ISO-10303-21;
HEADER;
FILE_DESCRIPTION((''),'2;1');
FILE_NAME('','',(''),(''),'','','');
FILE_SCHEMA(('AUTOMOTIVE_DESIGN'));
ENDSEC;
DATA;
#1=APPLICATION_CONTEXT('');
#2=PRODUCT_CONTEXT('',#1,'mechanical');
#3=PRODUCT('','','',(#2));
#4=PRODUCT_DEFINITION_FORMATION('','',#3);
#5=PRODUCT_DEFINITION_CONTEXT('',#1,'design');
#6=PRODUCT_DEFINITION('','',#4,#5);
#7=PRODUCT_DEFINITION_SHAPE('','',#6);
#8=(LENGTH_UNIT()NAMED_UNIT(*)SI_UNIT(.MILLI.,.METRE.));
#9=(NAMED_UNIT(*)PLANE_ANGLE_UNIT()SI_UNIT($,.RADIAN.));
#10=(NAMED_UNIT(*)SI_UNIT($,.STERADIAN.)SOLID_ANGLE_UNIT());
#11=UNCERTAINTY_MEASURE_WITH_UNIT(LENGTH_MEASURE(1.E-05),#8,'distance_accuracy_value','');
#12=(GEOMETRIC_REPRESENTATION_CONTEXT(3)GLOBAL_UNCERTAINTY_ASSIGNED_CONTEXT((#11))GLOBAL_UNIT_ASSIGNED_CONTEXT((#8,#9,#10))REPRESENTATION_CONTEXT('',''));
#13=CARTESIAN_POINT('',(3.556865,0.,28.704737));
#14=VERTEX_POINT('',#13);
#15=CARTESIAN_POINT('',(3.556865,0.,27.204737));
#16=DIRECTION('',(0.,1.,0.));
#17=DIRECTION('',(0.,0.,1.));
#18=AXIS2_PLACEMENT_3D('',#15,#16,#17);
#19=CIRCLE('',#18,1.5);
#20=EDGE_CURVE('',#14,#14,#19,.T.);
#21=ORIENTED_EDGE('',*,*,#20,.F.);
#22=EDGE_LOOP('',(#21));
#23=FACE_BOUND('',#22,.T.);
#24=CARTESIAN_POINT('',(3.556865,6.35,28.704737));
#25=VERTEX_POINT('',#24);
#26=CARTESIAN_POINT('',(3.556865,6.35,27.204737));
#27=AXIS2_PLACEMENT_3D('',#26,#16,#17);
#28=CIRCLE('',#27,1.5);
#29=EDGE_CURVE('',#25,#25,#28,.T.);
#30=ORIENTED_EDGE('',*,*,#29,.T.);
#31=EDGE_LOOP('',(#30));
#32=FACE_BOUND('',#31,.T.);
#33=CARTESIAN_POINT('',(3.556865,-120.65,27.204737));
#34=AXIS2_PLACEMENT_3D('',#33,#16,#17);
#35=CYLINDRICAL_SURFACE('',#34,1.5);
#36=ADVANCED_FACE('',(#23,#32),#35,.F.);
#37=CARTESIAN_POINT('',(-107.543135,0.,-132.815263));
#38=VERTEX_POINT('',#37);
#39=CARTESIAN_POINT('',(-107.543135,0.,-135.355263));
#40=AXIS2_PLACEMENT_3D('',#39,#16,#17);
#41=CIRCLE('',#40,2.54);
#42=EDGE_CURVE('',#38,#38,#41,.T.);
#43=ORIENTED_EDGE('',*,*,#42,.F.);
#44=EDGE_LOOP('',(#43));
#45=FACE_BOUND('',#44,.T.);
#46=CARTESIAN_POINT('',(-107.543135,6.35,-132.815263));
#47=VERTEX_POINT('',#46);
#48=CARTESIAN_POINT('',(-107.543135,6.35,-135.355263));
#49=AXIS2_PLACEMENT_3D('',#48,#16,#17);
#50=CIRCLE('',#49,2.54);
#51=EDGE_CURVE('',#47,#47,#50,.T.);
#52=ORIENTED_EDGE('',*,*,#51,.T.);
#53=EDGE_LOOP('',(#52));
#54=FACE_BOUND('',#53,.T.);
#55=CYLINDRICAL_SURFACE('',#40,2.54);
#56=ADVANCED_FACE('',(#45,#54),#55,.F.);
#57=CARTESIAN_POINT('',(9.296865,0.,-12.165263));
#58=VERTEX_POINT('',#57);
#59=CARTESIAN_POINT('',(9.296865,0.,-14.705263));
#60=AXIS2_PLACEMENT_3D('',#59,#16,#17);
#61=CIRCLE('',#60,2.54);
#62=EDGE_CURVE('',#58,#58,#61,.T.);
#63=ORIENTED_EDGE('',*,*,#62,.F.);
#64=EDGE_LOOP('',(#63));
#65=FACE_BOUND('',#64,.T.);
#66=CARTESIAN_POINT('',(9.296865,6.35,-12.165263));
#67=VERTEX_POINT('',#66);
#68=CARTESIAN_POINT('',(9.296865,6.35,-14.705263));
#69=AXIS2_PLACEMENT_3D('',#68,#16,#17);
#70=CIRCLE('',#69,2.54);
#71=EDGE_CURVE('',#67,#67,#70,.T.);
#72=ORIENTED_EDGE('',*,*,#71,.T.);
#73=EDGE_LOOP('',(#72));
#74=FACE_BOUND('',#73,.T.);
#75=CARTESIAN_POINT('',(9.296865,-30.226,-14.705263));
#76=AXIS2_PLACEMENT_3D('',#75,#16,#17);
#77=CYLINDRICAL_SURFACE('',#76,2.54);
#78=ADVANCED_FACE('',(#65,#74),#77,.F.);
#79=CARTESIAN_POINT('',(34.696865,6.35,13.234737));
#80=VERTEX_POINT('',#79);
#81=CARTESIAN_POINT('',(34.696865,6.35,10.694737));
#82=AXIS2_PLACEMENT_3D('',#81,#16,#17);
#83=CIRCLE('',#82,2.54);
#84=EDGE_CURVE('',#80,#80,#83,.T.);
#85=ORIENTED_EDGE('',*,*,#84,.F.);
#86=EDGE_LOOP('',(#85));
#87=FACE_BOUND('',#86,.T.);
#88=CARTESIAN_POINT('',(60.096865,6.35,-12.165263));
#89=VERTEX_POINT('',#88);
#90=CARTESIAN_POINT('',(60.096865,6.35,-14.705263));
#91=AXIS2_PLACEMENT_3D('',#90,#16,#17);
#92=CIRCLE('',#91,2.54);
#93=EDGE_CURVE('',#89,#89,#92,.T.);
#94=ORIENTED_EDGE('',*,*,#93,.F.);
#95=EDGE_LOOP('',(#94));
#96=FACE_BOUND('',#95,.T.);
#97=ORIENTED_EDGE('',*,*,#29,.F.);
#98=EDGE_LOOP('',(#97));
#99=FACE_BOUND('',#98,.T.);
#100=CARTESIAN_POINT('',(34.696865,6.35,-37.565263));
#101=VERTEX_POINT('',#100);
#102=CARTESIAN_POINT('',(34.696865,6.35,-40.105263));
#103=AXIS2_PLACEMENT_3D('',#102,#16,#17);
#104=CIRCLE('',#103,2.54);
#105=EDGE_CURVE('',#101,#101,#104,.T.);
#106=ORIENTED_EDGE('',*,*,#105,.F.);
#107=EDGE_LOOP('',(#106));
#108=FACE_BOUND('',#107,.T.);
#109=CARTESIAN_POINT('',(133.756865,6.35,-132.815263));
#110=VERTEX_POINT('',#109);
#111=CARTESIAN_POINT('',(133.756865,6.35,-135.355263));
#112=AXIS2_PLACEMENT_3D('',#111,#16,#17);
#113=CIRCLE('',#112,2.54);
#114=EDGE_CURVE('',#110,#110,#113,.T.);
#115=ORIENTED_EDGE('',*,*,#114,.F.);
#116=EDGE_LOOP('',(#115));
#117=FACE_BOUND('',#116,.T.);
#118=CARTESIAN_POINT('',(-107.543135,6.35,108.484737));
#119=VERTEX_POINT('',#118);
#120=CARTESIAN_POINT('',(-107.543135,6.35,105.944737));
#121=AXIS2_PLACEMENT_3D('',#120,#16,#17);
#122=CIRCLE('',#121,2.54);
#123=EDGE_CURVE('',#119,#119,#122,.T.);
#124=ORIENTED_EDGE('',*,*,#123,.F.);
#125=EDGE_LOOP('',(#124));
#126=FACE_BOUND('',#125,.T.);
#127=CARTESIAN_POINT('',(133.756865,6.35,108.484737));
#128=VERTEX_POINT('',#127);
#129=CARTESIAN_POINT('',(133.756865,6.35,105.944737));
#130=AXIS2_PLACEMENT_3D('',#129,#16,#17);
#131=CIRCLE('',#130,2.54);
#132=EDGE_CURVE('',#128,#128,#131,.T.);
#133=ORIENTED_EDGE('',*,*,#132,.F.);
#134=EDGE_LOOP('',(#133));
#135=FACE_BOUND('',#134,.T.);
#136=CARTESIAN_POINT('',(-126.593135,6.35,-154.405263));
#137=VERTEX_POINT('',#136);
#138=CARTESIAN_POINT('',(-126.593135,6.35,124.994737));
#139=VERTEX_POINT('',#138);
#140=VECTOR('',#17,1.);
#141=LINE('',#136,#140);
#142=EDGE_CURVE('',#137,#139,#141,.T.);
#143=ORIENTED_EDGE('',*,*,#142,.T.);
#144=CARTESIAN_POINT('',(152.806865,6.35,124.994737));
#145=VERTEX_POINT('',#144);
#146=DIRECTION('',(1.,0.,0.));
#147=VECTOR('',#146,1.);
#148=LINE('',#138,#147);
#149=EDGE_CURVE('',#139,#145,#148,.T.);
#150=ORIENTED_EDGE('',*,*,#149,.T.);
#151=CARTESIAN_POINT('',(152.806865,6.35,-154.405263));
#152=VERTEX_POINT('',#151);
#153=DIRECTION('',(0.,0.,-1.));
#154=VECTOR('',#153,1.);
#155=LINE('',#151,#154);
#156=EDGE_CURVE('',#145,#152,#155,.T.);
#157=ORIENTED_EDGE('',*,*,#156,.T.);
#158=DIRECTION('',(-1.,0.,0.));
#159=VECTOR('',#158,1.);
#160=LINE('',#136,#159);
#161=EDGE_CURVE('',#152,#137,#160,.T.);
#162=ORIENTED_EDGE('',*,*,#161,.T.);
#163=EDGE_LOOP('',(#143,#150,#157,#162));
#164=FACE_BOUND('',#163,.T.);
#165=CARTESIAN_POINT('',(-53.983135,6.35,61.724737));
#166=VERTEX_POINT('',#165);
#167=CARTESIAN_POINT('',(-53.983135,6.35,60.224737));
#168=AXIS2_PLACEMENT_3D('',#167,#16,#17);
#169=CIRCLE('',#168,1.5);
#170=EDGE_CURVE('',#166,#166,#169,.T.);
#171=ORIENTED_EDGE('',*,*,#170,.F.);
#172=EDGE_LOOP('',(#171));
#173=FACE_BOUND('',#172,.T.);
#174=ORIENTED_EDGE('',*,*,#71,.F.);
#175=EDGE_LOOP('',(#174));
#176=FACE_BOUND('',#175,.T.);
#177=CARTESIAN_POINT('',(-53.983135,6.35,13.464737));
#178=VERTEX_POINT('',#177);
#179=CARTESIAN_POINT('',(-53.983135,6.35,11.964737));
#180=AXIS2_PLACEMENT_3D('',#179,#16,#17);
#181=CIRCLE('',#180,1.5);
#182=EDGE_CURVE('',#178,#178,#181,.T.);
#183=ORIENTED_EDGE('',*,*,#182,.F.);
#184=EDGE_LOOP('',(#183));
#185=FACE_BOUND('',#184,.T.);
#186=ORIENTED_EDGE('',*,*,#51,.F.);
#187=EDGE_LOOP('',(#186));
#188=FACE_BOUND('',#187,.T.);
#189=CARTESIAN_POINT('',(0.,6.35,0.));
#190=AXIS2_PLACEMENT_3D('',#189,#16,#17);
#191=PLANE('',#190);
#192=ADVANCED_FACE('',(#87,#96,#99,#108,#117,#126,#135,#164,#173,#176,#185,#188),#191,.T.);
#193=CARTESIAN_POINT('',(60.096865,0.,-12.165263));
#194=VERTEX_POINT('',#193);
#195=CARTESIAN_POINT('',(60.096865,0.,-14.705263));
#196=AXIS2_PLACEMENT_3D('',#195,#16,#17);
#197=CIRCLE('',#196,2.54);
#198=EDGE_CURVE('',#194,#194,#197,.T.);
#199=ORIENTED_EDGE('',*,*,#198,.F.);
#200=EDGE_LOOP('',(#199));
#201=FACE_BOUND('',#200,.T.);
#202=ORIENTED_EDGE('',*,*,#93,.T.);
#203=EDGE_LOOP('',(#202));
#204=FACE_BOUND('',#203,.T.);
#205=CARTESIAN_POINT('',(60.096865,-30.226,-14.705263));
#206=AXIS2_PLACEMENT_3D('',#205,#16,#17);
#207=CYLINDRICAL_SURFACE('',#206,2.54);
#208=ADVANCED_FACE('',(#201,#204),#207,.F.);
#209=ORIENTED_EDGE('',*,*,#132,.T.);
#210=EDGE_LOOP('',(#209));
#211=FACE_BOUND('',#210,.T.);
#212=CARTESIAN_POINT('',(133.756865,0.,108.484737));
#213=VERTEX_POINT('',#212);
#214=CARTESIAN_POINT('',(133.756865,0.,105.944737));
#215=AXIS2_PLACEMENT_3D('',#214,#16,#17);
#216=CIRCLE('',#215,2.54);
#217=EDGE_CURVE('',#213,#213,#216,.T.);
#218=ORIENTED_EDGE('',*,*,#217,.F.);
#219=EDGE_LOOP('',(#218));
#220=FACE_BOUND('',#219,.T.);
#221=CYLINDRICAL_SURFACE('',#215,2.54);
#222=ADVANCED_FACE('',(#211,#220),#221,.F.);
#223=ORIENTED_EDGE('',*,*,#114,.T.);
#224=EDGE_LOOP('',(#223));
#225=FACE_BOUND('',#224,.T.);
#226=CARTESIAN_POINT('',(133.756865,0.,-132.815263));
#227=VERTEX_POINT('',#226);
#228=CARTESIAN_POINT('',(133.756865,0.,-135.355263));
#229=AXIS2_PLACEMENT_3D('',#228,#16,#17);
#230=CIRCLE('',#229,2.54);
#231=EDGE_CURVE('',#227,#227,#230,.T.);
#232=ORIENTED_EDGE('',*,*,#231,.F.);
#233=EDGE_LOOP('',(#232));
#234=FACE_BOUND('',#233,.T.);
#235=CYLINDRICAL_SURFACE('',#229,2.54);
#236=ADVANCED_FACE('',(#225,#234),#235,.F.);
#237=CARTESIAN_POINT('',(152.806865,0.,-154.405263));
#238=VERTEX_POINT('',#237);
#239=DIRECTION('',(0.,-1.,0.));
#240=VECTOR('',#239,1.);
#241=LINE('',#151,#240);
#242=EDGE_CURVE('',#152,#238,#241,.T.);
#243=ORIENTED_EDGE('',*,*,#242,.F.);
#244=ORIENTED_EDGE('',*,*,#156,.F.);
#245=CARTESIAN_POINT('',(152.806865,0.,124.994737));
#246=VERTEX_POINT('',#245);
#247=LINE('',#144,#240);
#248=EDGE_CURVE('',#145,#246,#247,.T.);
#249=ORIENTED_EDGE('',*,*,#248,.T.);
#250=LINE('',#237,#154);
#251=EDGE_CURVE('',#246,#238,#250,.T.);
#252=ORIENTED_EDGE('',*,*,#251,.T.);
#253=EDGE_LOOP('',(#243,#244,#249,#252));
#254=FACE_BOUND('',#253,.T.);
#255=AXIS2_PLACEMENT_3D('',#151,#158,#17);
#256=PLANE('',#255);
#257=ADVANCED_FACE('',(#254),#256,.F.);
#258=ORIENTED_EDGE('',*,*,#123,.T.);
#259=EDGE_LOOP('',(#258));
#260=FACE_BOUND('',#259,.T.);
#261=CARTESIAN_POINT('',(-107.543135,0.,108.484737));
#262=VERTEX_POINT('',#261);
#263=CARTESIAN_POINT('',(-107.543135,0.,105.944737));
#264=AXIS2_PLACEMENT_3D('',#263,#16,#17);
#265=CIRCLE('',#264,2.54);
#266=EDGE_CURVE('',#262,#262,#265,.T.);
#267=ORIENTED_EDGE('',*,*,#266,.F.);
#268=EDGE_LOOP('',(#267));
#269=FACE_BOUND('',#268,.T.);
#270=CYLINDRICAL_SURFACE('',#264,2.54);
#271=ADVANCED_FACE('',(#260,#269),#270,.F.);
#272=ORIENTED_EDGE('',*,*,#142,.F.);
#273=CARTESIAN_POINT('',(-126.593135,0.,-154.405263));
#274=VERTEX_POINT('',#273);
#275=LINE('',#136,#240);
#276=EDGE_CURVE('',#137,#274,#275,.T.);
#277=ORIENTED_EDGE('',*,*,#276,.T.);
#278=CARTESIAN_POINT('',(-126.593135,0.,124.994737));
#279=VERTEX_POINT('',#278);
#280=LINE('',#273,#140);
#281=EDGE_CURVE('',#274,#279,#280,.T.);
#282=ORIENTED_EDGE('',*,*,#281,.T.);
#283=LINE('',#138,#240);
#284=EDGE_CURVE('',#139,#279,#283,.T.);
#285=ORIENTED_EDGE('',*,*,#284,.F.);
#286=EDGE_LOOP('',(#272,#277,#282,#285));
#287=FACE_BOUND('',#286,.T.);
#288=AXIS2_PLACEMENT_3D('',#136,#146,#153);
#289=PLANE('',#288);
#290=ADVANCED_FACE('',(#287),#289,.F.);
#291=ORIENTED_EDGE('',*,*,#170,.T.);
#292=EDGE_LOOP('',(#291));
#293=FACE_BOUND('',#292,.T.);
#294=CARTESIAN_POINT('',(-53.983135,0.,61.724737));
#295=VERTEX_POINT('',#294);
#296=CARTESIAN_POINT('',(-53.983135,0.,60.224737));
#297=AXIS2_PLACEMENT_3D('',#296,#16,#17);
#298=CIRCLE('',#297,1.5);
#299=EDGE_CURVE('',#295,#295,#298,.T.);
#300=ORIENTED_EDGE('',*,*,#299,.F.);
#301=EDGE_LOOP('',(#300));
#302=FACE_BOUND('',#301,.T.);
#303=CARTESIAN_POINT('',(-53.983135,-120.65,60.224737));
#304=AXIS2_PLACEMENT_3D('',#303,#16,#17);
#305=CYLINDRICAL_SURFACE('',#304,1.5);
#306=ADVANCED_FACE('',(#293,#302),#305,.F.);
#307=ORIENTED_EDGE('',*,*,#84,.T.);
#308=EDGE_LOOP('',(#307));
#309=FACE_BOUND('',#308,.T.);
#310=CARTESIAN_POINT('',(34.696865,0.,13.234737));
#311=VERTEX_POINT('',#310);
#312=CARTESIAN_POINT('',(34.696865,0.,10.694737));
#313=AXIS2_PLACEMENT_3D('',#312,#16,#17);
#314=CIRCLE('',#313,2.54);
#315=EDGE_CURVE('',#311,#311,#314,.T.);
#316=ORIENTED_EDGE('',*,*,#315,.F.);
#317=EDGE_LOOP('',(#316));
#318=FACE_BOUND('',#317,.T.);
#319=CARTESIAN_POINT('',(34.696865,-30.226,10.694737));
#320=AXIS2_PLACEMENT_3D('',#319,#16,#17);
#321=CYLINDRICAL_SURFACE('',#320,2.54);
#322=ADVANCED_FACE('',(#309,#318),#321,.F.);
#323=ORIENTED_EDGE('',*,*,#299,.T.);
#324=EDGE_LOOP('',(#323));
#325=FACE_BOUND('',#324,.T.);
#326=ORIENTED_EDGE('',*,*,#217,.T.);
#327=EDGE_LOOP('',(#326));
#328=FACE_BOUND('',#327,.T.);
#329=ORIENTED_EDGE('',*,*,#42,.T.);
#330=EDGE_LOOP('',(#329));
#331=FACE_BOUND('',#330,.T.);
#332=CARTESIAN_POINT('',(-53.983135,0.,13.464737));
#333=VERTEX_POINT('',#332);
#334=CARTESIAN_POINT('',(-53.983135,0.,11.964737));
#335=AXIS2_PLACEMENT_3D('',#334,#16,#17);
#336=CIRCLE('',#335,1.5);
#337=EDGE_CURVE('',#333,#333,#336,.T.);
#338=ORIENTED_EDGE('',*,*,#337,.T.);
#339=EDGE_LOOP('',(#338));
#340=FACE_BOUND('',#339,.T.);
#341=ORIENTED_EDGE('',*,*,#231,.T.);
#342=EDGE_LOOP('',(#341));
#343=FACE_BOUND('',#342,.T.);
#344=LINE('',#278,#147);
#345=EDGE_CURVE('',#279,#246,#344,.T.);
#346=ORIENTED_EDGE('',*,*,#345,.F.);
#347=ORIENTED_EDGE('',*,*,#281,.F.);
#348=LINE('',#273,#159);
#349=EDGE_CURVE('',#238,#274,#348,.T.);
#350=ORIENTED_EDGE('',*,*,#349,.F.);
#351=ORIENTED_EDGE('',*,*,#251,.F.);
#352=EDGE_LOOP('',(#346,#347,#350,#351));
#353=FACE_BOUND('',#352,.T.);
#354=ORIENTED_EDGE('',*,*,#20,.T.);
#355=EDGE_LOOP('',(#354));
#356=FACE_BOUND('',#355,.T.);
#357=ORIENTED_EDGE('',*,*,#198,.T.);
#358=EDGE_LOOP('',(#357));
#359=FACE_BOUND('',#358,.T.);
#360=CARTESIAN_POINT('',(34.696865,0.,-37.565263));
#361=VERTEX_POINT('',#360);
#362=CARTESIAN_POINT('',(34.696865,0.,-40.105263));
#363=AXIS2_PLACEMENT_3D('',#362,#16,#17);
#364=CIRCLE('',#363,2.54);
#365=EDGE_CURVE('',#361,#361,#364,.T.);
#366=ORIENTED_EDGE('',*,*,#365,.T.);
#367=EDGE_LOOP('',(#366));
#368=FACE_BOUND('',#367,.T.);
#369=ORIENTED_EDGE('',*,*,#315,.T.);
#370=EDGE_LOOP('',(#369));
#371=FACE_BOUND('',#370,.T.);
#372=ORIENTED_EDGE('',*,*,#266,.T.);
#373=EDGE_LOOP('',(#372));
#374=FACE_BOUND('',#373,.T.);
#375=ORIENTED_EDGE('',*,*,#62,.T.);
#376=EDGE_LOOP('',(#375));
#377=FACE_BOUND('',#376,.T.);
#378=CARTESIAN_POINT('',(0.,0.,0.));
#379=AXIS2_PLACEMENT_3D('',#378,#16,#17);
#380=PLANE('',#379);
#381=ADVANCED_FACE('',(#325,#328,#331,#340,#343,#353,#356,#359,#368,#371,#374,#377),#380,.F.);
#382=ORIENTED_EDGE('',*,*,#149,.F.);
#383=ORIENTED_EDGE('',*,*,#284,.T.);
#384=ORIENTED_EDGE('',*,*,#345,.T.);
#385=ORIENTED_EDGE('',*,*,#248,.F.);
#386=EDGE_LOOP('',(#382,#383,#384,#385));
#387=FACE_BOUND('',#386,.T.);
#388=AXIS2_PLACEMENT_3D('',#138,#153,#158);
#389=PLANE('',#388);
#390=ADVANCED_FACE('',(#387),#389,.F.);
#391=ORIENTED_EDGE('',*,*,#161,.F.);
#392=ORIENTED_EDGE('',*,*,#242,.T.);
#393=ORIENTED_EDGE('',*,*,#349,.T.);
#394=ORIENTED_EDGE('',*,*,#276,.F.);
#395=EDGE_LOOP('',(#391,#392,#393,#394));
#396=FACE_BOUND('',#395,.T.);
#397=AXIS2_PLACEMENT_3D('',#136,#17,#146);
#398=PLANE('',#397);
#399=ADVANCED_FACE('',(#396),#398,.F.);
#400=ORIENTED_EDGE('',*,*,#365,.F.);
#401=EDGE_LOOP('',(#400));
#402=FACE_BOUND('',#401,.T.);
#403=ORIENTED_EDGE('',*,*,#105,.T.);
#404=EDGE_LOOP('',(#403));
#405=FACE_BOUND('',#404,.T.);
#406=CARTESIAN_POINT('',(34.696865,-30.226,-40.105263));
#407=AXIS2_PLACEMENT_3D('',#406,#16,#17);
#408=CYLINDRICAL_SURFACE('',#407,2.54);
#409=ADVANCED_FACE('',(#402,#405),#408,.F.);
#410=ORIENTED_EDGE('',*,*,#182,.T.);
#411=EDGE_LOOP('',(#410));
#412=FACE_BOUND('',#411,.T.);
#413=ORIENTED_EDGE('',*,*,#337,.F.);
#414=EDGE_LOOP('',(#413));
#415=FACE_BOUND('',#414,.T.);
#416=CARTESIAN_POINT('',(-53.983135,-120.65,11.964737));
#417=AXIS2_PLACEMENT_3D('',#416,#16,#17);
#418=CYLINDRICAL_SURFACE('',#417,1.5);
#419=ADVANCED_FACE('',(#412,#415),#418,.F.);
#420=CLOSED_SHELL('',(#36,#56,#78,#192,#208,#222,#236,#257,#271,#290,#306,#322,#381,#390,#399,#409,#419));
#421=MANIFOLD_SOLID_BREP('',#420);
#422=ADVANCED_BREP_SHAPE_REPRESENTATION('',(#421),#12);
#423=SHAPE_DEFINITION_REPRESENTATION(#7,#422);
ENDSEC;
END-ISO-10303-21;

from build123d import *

# Parameters (mm, degrees)
SKETCH1_W                = 279.4
SKETCH1_H                = 279.4
BASE_EXTRUSION_DEPTH     = 6.35
SKETCH2_R                = 2.54
CONSTRUCTION_HOLES_DEPTH = 6.35
SKETCH3_R                = 1.5
BOARD_HOLES_DEPTH        = 127
SKETCH4_R                = 2.54
MOTOR_HOLES_DEPTH        = 36.576


with BuildPart() as part:
    # Sketch1 → base_extrusion (new body)
    with BuildSketch(Plane(origin=(0, 0, 0), x_dir=(1, 0, 0), z_dir=(0, 1, 0))):
        with Locations((13.106864989, 14.705263158)):
            Rectangle(SKETCH1_W, SKETCH1_H)
    extrude(amount=BASE_EXTRUSION_DEPTH)

    # Sketch2 → construction_holes (cut)
    with BuildSketch(Plane(origin=(0, 6.35, 0), x_dir=(1, 0, 0), z_dir=(0, 1, 0))):
        with Locations((-107.543135011, 135.355263158)):
            Circle(SKETCH2_R)
        with Locations((133.756864989, 135.355263158)):
            Circle(SKETCH2_R)
        with Locations((133.756864989, -105.944736842)):
            Circle(SKETCH2_R)
        with Locations((-107.543135011, -105.944736842)):
            Circle(SKETCH2_R)
    extrude(amount=-CONSTRUCTION_HOLES_DEPTH, mode=Mode.SUBTRACT)

    # Sketch3 → board holes (cut)
    with BuildSketch(Plane(origin=(0, 6.35, 0), x_dir=(1, 0, 0), z_dir=(0, 1, 0))):
        with Locations((3.556864989, -27.204736715)):
            Circle(SKETCH3_R)
        with Locations((-53.983135011, -60.224736819)):
            Circle(SKETCH3_R)
        with Locations((-53.983135011, -11.964736865)):
            Circle(SKETCH3_R)
    extrude(amount=-BOARD_HOLES_DEPTH, mode=Mode.SUBTRACT)

    # Sketch4 → motor holes (cut)
    with BuildSketch(Plane(origin=(0, 6.35, 0), x_dir=(1, 0, 0), z_dir=(0, 1, 0))):
        with Locations((34.696864989, 40.105263158)):
            Circle(SKETCH4_R)
        with Locations((60.096864989, 14.705263158)):
            Circle(SKETCH4_R)
        with Locations((34.696864989, -10.694736842)):
            Circle(SKETCH4_R)
        with Locations((9.296864989, 14.705263158)):
            Circle(SKETCH4_R)
    extrude(amount=-MOTOR_HOLES_DEPTH, mode=Mode.SUBTRACT)


solid = part.part
